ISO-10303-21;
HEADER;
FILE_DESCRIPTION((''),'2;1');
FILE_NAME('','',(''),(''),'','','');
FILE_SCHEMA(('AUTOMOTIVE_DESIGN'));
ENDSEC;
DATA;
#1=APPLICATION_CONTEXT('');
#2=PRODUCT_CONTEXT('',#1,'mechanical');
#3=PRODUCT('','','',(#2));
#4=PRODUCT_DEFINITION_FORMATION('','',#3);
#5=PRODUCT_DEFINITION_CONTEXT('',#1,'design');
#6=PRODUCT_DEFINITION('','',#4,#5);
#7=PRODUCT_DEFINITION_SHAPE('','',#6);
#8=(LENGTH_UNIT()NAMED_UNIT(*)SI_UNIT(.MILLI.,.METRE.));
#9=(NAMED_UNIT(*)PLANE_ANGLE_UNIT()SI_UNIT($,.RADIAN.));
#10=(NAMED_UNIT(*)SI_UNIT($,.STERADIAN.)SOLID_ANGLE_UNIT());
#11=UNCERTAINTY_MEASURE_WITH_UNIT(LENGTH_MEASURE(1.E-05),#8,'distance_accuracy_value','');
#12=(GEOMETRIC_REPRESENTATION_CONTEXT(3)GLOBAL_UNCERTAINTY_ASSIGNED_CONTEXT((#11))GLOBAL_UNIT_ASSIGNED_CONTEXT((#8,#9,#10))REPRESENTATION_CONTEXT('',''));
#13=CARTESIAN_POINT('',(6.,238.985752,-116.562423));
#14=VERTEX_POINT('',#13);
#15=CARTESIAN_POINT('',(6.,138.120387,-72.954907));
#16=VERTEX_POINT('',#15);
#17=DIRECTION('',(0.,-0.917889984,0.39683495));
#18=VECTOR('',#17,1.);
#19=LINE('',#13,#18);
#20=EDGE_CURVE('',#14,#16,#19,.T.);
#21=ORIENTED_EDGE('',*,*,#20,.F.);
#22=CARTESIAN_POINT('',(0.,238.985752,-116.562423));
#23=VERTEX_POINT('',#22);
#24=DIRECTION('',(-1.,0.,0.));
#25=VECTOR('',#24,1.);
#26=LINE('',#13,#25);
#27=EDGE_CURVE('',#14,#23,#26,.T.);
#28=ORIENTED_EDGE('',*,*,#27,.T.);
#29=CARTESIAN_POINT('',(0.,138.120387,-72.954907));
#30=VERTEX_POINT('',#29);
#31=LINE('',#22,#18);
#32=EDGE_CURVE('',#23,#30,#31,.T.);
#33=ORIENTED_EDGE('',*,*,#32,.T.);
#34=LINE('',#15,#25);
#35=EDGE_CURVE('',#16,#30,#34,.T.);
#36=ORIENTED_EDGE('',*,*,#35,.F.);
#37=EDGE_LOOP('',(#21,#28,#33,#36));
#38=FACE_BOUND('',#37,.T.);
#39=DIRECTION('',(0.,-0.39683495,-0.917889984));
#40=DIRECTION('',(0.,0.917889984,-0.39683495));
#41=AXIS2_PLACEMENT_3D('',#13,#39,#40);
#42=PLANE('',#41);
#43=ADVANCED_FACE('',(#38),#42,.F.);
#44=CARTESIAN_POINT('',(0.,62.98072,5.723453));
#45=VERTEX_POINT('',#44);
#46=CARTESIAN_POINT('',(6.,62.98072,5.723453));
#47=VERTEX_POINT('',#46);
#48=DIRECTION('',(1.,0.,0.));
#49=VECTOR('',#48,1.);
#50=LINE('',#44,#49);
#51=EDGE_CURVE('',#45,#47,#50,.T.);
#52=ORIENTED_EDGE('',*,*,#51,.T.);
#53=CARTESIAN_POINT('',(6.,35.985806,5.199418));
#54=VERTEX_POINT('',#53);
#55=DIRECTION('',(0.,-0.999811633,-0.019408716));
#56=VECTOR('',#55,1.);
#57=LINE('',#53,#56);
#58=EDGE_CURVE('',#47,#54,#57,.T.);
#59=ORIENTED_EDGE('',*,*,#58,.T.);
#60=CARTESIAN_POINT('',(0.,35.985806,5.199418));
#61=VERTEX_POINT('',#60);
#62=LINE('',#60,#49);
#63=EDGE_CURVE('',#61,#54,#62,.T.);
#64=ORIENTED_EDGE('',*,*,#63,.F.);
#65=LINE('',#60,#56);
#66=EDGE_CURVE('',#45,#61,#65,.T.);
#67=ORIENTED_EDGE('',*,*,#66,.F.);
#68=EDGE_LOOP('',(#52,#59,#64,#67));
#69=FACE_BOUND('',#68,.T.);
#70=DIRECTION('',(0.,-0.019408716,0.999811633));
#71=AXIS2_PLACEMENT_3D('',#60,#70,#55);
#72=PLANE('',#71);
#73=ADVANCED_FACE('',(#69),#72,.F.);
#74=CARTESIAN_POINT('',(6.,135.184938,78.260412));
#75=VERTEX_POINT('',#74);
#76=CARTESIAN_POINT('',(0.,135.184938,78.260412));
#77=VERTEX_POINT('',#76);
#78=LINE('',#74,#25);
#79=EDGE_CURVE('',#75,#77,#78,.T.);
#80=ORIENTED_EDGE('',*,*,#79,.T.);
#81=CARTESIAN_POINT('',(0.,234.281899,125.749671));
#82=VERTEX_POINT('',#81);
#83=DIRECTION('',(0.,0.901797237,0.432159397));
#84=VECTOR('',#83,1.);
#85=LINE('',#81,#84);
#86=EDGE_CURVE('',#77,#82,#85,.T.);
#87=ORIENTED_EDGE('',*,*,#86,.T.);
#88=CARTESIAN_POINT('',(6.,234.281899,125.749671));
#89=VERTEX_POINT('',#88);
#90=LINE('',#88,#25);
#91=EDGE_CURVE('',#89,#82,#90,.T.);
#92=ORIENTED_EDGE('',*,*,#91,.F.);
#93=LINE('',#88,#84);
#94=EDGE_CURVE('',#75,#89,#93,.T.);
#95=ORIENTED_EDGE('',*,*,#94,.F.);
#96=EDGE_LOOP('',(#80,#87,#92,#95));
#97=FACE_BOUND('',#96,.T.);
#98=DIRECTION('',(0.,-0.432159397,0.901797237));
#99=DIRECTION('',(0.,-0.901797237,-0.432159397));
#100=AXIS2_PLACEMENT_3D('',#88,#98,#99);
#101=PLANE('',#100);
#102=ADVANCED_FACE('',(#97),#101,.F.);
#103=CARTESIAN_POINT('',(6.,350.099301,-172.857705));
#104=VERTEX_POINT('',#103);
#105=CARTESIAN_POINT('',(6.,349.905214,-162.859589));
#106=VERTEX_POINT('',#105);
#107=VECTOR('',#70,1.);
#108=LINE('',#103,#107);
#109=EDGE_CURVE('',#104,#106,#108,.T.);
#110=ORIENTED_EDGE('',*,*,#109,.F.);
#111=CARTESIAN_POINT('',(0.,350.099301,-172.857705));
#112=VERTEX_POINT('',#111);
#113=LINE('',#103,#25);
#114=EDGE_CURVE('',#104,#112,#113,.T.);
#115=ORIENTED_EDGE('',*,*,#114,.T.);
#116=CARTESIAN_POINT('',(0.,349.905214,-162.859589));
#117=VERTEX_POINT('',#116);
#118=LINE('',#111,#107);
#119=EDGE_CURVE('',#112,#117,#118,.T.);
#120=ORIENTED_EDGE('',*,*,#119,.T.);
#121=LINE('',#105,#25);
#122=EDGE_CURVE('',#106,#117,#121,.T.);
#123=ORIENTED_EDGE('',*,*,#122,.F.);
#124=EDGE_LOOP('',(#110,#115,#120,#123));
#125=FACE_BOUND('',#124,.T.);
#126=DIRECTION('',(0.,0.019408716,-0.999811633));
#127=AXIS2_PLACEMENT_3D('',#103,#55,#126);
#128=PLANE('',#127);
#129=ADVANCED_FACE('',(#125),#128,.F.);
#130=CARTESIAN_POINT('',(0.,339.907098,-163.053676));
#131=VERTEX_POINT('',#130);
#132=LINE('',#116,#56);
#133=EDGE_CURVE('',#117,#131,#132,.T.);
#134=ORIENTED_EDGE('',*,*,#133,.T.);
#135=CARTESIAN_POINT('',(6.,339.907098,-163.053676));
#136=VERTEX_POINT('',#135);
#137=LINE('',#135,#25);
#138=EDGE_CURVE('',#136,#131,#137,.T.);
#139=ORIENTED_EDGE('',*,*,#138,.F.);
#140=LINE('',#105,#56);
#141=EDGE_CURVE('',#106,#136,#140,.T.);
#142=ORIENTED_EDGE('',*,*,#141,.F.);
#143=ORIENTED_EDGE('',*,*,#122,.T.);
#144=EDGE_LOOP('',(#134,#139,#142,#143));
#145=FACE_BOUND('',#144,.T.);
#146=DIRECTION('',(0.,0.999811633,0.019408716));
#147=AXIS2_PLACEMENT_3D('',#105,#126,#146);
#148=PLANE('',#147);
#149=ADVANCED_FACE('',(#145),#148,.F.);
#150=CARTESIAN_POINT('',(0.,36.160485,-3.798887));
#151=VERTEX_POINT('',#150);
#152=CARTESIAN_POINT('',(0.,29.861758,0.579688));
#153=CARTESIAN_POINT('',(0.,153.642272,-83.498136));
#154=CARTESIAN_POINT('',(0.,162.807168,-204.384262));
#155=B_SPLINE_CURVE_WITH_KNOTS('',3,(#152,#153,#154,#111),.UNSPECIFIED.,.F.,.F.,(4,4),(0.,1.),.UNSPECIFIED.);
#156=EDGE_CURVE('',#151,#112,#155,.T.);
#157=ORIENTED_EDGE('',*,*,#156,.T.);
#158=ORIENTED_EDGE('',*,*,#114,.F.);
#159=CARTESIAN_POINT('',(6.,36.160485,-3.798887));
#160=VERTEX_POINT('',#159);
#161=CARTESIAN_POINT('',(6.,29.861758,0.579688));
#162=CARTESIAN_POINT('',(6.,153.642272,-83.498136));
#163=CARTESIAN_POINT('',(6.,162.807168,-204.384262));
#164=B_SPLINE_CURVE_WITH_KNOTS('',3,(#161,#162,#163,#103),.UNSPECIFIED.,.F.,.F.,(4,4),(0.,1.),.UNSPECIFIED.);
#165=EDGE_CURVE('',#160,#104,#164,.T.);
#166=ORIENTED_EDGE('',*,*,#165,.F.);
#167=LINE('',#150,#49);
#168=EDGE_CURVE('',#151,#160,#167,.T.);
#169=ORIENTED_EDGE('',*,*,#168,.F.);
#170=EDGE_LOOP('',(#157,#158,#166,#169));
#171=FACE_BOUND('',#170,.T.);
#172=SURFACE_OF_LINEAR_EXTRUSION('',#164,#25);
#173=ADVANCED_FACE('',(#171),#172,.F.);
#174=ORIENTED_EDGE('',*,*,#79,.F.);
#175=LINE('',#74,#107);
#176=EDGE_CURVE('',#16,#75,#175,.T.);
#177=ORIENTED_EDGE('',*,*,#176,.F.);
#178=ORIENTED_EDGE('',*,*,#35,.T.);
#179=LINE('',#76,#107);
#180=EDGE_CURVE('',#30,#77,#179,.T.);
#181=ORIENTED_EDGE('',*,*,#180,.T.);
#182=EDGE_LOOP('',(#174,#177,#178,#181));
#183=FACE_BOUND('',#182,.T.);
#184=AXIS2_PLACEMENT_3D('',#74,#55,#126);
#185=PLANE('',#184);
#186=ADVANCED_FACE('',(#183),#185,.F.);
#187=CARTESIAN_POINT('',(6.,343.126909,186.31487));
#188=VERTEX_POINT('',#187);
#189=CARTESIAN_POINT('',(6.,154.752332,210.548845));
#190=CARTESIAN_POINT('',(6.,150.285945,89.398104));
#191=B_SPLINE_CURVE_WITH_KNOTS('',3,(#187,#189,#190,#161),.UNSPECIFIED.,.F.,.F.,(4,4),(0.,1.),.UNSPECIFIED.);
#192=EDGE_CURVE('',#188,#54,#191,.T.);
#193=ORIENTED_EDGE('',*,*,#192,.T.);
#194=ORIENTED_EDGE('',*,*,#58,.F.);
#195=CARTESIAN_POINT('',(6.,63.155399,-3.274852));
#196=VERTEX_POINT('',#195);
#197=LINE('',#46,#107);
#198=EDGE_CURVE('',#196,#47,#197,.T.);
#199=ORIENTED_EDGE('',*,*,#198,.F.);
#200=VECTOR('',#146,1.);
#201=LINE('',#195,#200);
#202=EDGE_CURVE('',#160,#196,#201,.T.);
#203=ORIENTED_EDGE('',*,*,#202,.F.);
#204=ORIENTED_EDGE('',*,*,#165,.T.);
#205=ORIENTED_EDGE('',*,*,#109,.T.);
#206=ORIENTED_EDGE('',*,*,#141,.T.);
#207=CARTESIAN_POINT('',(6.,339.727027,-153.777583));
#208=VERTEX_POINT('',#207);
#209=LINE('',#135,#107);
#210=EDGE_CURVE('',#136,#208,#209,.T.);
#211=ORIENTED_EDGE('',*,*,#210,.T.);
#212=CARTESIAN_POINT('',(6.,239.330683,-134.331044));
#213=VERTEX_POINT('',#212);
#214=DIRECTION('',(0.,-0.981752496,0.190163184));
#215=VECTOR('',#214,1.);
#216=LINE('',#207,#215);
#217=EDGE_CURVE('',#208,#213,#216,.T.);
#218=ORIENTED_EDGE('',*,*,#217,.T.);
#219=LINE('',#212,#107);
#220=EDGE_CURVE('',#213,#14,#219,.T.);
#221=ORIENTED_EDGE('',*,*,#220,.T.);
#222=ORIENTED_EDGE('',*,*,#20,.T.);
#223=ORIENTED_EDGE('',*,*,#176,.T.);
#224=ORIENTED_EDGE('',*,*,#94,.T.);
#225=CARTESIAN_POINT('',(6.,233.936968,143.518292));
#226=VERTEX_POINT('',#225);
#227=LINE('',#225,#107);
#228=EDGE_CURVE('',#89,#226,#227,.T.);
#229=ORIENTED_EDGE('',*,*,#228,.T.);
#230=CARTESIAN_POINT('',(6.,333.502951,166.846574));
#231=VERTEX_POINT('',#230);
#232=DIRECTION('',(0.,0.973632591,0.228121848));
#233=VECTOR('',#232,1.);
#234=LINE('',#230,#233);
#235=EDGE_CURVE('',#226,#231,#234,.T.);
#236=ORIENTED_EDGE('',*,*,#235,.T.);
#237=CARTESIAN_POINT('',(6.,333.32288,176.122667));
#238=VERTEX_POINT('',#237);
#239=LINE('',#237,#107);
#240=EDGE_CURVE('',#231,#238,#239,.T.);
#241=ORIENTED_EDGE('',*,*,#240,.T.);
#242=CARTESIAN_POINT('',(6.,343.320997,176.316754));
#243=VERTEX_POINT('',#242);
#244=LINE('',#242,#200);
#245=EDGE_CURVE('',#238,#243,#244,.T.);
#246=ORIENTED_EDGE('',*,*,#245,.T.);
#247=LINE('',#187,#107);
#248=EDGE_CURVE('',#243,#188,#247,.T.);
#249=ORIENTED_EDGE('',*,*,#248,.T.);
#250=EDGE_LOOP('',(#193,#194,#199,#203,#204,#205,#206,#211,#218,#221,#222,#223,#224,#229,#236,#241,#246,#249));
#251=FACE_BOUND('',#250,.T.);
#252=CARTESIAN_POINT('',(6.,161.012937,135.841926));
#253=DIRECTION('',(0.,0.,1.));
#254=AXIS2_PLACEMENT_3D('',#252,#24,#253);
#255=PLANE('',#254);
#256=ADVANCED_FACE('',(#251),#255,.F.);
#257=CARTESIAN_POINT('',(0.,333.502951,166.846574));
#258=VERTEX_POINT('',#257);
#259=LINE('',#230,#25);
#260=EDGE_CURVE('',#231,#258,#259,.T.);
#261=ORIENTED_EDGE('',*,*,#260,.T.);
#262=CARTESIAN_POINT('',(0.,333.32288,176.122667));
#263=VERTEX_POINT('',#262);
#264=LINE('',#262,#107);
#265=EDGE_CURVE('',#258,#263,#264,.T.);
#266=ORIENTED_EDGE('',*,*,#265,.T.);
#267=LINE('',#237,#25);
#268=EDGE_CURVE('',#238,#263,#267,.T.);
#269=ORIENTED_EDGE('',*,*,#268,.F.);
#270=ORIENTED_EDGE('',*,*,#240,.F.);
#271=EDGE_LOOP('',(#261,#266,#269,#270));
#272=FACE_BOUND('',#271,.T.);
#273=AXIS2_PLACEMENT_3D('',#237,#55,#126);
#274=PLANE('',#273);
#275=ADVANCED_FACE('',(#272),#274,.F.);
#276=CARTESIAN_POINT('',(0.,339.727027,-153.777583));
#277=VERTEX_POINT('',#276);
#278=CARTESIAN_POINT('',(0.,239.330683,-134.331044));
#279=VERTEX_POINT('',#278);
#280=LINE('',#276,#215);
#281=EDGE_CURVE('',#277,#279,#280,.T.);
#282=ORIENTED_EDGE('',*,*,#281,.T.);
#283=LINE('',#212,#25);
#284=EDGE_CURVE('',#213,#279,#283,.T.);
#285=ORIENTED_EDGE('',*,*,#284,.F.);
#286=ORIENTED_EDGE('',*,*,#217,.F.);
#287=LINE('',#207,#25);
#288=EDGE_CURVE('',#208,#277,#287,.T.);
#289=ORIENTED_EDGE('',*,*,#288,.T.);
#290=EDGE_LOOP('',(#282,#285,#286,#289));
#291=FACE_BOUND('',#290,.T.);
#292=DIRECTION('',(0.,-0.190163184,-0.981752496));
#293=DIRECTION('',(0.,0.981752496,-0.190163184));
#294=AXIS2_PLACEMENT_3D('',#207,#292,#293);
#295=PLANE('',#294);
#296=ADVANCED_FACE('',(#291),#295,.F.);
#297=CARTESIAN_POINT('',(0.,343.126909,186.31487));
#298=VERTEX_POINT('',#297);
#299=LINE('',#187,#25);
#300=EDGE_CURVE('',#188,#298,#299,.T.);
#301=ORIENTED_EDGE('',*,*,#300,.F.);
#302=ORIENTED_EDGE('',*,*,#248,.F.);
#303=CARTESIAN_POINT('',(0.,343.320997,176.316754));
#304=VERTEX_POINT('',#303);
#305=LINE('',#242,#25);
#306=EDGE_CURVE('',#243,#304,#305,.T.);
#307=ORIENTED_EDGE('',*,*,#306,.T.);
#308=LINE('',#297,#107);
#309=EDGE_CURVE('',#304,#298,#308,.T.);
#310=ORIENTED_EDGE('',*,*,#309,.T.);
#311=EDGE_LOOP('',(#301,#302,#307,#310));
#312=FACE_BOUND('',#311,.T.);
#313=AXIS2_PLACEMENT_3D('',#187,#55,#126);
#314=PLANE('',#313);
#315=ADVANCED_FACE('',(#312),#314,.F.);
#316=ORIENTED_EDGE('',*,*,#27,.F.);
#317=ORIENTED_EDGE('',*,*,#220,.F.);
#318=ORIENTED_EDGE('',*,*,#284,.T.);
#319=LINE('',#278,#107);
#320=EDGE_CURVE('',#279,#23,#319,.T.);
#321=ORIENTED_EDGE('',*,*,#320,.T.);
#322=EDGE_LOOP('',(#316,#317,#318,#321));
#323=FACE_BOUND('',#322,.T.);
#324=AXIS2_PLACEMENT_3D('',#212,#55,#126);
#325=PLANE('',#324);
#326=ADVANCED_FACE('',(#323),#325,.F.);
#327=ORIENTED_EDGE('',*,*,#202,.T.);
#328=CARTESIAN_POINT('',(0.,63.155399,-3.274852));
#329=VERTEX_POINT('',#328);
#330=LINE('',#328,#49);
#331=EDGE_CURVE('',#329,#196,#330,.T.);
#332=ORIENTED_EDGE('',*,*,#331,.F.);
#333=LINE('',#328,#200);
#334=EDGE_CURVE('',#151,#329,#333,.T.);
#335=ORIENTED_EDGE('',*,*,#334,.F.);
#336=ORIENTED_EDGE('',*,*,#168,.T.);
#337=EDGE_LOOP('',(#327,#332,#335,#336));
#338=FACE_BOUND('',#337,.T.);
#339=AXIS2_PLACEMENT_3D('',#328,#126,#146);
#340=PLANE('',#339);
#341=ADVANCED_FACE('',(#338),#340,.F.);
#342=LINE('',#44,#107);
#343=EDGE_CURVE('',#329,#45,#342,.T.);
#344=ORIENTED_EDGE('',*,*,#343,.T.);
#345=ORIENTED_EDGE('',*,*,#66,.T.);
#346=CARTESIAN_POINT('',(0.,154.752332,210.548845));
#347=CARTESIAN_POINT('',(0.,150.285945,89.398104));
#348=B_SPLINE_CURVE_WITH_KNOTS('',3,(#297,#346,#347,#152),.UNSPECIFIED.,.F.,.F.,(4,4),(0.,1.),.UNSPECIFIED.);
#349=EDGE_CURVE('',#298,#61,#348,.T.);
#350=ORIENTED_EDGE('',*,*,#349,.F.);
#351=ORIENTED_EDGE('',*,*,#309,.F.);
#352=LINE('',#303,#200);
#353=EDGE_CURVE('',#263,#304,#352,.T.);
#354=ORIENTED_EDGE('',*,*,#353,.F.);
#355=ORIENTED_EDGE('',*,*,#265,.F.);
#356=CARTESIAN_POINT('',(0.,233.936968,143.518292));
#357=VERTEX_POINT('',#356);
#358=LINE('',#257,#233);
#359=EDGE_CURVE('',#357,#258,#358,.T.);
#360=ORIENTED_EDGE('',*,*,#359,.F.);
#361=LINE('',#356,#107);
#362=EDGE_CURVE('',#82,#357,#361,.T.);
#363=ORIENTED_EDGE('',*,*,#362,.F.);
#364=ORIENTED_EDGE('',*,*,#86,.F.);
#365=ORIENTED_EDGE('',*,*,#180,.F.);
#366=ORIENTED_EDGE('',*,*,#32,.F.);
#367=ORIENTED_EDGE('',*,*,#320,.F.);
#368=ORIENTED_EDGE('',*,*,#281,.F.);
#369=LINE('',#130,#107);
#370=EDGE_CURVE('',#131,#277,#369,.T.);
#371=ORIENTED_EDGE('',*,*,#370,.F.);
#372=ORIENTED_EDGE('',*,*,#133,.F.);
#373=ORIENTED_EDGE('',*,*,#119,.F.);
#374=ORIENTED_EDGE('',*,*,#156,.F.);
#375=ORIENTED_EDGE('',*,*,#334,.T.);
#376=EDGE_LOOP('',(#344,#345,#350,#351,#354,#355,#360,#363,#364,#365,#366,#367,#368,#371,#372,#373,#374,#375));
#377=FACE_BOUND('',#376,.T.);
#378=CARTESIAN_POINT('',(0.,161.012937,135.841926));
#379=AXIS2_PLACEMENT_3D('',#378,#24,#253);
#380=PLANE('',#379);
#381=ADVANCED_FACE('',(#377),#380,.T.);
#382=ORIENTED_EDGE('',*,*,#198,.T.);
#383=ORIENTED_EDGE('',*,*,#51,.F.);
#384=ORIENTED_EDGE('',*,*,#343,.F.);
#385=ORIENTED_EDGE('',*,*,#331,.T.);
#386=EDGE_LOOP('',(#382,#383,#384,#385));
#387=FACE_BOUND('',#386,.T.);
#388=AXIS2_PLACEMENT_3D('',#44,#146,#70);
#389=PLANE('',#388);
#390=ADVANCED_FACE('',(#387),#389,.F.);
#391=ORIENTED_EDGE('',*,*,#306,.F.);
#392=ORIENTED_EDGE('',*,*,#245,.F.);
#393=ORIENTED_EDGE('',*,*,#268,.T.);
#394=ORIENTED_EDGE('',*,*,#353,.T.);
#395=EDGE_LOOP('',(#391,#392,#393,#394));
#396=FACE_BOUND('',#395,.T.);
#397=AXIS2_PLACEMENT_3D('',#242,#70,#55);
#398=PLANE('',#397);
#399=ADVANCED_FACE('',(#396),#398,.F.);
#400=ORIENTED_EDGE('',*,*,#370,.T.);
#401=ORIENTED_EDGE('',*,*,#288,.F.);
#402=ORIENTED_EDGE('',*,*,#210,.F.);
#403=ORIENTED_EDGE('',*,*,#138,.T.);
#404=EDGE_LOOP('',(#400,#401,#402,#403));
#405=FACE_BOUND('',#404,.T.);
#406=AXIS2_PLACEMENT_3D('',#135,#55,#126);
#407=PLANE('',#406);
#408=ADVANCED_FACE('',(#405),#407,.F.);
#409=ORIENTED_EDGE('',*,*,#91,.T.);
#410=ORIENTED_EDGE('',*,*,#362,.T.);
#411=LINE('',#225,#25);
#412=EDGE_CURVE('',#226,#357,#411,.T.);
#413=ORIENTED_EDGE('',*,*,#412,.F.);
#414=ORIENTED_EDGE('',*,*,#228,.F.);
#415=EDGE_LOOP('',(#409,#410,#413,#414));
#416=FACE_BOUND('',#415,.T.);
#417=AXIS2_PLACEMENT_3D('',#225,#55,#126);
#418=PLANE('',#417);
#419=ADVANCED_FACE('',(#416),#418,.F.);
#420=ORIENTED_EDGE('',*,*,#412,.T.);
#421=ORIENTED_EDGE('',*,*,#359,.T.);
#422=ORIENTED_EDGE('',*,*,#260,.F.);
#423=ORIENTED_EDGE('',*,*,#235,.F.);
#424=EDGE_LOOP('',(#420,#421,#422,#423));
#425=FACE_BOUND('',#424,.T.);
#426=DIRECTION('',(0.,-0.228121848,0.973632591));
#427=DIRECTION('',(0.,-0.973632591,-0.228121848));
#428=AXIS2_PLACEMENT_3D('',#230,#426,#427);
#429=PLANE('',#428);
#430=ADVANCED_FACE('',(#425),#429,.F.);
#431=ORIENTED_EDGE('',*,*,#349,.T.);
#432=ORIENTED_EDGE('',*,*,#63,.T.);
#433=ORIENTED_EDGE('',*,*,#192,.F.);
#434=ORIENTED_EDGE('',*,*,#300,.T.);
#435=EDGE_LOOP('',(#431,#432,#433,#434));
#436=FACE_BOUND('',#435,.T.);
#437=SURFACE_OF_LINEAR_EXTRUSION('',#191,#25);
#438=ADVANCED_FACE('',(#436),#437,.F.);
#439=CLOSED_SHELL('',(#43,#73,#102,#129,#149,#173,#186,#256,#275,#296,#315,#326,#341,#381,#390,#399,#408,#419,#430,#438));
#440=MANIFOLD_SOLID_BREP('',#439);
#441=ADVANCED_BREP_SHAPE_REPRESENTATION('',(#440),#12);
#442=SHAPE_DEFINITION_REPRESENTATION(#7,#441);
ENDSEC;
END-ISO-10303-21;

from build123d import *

# Parameters (mm, degrees)
BOSS_EXTRU_3_DEPTH      = 6
ENL_V_MAT_EXTRU_1_DEPTH = 6


with BuildPart() as part:
    # Esquisse2 → Boss.-Extru.3 (new body)
    with BuildSketch(Plane(origin=(0, 0, 0), x_dir=(0, 0, -1), z_dir=(1, 0, 0))):
        with BuildLine():
            Line((-186.314870475, 343.126909424), (-176.316754144, 343.320996586))
            Line((-176.316754144, 343.320996586), (-176.122666982, 333.322880254))
            Line((-176.122666982, 333.322880254), (-166.846574289, 333.502951224))
            Line((-166.846574289, 333.502951224), (-143.518291854, 233.936968303))
            Line((-143.518291854, 233.936968303), (-125.749671338, 234.281899389))
            Line((-125.749671338, 234.281899389), (-78.26041194, 135.18493836))
            Line((-78.26041194, 135.18493836), (72.954907085, 138.120386506))
            Line((72.954907085, 138.120386506), (116.562423252, 238.985752103))
            Line((116.562423252, 238.985752103), (134.331043769, 239.330683189))
            Line((134.331043769, 239.330683189), (153.777582972, 339.727026894))
            Line((153.777582972, 339.727026894), (163.053675666, 339.907097863))
            Line((163.053675666, 339.907097863), (162.859588505, 349.905214195))
            Line((162.859588505, 349.905214195), (172.857704836, 350.099301356))
            add(Edge.make_bspline(
                [(172.857704836, 350.099301356), (204.384261901, 162.8071682), (83.498136197, 153.642271532), (-0.579687579, 29.861757988)],
                knots=[0, 0, 0, 0, 1, 1, 1, 1], degree=3))
            add(Edge.make_bspline(
                [(-186.314870475, 343.126909424), (-210.548845306, 154.752332035), (-89.398104046, 150.285945261), (-0.579687579, 29.861757988)],
                knots=[0, 0, 0, 0, 1, 1, 1, 1], degree=3))
        make_face()
    extrude(amount=BOSS_EXTRU_3_DEPTH)

    # Esquisse3 → Enlèv. mat.-Extru.1 (cut)
    with BuildSketch(Plane(origin=(6, 0, 0), x_dir=(0, 0, -1), z_dir=(1, 0, 0))):
        Polygon((-5.199417696, 35.985806185), (-5.723453032, 62.98072028), (3.274851666, 63.155398725), (3.798887002, 36.160484631), (13.09005186, 25.116564572), (-12.278264547, 26.928587172), align=None)
    extrude(amount=-ENL_V_MAT_EXTRU_1_DEPTH, mode=Mode.SUBTRACT)


solid = part.part
